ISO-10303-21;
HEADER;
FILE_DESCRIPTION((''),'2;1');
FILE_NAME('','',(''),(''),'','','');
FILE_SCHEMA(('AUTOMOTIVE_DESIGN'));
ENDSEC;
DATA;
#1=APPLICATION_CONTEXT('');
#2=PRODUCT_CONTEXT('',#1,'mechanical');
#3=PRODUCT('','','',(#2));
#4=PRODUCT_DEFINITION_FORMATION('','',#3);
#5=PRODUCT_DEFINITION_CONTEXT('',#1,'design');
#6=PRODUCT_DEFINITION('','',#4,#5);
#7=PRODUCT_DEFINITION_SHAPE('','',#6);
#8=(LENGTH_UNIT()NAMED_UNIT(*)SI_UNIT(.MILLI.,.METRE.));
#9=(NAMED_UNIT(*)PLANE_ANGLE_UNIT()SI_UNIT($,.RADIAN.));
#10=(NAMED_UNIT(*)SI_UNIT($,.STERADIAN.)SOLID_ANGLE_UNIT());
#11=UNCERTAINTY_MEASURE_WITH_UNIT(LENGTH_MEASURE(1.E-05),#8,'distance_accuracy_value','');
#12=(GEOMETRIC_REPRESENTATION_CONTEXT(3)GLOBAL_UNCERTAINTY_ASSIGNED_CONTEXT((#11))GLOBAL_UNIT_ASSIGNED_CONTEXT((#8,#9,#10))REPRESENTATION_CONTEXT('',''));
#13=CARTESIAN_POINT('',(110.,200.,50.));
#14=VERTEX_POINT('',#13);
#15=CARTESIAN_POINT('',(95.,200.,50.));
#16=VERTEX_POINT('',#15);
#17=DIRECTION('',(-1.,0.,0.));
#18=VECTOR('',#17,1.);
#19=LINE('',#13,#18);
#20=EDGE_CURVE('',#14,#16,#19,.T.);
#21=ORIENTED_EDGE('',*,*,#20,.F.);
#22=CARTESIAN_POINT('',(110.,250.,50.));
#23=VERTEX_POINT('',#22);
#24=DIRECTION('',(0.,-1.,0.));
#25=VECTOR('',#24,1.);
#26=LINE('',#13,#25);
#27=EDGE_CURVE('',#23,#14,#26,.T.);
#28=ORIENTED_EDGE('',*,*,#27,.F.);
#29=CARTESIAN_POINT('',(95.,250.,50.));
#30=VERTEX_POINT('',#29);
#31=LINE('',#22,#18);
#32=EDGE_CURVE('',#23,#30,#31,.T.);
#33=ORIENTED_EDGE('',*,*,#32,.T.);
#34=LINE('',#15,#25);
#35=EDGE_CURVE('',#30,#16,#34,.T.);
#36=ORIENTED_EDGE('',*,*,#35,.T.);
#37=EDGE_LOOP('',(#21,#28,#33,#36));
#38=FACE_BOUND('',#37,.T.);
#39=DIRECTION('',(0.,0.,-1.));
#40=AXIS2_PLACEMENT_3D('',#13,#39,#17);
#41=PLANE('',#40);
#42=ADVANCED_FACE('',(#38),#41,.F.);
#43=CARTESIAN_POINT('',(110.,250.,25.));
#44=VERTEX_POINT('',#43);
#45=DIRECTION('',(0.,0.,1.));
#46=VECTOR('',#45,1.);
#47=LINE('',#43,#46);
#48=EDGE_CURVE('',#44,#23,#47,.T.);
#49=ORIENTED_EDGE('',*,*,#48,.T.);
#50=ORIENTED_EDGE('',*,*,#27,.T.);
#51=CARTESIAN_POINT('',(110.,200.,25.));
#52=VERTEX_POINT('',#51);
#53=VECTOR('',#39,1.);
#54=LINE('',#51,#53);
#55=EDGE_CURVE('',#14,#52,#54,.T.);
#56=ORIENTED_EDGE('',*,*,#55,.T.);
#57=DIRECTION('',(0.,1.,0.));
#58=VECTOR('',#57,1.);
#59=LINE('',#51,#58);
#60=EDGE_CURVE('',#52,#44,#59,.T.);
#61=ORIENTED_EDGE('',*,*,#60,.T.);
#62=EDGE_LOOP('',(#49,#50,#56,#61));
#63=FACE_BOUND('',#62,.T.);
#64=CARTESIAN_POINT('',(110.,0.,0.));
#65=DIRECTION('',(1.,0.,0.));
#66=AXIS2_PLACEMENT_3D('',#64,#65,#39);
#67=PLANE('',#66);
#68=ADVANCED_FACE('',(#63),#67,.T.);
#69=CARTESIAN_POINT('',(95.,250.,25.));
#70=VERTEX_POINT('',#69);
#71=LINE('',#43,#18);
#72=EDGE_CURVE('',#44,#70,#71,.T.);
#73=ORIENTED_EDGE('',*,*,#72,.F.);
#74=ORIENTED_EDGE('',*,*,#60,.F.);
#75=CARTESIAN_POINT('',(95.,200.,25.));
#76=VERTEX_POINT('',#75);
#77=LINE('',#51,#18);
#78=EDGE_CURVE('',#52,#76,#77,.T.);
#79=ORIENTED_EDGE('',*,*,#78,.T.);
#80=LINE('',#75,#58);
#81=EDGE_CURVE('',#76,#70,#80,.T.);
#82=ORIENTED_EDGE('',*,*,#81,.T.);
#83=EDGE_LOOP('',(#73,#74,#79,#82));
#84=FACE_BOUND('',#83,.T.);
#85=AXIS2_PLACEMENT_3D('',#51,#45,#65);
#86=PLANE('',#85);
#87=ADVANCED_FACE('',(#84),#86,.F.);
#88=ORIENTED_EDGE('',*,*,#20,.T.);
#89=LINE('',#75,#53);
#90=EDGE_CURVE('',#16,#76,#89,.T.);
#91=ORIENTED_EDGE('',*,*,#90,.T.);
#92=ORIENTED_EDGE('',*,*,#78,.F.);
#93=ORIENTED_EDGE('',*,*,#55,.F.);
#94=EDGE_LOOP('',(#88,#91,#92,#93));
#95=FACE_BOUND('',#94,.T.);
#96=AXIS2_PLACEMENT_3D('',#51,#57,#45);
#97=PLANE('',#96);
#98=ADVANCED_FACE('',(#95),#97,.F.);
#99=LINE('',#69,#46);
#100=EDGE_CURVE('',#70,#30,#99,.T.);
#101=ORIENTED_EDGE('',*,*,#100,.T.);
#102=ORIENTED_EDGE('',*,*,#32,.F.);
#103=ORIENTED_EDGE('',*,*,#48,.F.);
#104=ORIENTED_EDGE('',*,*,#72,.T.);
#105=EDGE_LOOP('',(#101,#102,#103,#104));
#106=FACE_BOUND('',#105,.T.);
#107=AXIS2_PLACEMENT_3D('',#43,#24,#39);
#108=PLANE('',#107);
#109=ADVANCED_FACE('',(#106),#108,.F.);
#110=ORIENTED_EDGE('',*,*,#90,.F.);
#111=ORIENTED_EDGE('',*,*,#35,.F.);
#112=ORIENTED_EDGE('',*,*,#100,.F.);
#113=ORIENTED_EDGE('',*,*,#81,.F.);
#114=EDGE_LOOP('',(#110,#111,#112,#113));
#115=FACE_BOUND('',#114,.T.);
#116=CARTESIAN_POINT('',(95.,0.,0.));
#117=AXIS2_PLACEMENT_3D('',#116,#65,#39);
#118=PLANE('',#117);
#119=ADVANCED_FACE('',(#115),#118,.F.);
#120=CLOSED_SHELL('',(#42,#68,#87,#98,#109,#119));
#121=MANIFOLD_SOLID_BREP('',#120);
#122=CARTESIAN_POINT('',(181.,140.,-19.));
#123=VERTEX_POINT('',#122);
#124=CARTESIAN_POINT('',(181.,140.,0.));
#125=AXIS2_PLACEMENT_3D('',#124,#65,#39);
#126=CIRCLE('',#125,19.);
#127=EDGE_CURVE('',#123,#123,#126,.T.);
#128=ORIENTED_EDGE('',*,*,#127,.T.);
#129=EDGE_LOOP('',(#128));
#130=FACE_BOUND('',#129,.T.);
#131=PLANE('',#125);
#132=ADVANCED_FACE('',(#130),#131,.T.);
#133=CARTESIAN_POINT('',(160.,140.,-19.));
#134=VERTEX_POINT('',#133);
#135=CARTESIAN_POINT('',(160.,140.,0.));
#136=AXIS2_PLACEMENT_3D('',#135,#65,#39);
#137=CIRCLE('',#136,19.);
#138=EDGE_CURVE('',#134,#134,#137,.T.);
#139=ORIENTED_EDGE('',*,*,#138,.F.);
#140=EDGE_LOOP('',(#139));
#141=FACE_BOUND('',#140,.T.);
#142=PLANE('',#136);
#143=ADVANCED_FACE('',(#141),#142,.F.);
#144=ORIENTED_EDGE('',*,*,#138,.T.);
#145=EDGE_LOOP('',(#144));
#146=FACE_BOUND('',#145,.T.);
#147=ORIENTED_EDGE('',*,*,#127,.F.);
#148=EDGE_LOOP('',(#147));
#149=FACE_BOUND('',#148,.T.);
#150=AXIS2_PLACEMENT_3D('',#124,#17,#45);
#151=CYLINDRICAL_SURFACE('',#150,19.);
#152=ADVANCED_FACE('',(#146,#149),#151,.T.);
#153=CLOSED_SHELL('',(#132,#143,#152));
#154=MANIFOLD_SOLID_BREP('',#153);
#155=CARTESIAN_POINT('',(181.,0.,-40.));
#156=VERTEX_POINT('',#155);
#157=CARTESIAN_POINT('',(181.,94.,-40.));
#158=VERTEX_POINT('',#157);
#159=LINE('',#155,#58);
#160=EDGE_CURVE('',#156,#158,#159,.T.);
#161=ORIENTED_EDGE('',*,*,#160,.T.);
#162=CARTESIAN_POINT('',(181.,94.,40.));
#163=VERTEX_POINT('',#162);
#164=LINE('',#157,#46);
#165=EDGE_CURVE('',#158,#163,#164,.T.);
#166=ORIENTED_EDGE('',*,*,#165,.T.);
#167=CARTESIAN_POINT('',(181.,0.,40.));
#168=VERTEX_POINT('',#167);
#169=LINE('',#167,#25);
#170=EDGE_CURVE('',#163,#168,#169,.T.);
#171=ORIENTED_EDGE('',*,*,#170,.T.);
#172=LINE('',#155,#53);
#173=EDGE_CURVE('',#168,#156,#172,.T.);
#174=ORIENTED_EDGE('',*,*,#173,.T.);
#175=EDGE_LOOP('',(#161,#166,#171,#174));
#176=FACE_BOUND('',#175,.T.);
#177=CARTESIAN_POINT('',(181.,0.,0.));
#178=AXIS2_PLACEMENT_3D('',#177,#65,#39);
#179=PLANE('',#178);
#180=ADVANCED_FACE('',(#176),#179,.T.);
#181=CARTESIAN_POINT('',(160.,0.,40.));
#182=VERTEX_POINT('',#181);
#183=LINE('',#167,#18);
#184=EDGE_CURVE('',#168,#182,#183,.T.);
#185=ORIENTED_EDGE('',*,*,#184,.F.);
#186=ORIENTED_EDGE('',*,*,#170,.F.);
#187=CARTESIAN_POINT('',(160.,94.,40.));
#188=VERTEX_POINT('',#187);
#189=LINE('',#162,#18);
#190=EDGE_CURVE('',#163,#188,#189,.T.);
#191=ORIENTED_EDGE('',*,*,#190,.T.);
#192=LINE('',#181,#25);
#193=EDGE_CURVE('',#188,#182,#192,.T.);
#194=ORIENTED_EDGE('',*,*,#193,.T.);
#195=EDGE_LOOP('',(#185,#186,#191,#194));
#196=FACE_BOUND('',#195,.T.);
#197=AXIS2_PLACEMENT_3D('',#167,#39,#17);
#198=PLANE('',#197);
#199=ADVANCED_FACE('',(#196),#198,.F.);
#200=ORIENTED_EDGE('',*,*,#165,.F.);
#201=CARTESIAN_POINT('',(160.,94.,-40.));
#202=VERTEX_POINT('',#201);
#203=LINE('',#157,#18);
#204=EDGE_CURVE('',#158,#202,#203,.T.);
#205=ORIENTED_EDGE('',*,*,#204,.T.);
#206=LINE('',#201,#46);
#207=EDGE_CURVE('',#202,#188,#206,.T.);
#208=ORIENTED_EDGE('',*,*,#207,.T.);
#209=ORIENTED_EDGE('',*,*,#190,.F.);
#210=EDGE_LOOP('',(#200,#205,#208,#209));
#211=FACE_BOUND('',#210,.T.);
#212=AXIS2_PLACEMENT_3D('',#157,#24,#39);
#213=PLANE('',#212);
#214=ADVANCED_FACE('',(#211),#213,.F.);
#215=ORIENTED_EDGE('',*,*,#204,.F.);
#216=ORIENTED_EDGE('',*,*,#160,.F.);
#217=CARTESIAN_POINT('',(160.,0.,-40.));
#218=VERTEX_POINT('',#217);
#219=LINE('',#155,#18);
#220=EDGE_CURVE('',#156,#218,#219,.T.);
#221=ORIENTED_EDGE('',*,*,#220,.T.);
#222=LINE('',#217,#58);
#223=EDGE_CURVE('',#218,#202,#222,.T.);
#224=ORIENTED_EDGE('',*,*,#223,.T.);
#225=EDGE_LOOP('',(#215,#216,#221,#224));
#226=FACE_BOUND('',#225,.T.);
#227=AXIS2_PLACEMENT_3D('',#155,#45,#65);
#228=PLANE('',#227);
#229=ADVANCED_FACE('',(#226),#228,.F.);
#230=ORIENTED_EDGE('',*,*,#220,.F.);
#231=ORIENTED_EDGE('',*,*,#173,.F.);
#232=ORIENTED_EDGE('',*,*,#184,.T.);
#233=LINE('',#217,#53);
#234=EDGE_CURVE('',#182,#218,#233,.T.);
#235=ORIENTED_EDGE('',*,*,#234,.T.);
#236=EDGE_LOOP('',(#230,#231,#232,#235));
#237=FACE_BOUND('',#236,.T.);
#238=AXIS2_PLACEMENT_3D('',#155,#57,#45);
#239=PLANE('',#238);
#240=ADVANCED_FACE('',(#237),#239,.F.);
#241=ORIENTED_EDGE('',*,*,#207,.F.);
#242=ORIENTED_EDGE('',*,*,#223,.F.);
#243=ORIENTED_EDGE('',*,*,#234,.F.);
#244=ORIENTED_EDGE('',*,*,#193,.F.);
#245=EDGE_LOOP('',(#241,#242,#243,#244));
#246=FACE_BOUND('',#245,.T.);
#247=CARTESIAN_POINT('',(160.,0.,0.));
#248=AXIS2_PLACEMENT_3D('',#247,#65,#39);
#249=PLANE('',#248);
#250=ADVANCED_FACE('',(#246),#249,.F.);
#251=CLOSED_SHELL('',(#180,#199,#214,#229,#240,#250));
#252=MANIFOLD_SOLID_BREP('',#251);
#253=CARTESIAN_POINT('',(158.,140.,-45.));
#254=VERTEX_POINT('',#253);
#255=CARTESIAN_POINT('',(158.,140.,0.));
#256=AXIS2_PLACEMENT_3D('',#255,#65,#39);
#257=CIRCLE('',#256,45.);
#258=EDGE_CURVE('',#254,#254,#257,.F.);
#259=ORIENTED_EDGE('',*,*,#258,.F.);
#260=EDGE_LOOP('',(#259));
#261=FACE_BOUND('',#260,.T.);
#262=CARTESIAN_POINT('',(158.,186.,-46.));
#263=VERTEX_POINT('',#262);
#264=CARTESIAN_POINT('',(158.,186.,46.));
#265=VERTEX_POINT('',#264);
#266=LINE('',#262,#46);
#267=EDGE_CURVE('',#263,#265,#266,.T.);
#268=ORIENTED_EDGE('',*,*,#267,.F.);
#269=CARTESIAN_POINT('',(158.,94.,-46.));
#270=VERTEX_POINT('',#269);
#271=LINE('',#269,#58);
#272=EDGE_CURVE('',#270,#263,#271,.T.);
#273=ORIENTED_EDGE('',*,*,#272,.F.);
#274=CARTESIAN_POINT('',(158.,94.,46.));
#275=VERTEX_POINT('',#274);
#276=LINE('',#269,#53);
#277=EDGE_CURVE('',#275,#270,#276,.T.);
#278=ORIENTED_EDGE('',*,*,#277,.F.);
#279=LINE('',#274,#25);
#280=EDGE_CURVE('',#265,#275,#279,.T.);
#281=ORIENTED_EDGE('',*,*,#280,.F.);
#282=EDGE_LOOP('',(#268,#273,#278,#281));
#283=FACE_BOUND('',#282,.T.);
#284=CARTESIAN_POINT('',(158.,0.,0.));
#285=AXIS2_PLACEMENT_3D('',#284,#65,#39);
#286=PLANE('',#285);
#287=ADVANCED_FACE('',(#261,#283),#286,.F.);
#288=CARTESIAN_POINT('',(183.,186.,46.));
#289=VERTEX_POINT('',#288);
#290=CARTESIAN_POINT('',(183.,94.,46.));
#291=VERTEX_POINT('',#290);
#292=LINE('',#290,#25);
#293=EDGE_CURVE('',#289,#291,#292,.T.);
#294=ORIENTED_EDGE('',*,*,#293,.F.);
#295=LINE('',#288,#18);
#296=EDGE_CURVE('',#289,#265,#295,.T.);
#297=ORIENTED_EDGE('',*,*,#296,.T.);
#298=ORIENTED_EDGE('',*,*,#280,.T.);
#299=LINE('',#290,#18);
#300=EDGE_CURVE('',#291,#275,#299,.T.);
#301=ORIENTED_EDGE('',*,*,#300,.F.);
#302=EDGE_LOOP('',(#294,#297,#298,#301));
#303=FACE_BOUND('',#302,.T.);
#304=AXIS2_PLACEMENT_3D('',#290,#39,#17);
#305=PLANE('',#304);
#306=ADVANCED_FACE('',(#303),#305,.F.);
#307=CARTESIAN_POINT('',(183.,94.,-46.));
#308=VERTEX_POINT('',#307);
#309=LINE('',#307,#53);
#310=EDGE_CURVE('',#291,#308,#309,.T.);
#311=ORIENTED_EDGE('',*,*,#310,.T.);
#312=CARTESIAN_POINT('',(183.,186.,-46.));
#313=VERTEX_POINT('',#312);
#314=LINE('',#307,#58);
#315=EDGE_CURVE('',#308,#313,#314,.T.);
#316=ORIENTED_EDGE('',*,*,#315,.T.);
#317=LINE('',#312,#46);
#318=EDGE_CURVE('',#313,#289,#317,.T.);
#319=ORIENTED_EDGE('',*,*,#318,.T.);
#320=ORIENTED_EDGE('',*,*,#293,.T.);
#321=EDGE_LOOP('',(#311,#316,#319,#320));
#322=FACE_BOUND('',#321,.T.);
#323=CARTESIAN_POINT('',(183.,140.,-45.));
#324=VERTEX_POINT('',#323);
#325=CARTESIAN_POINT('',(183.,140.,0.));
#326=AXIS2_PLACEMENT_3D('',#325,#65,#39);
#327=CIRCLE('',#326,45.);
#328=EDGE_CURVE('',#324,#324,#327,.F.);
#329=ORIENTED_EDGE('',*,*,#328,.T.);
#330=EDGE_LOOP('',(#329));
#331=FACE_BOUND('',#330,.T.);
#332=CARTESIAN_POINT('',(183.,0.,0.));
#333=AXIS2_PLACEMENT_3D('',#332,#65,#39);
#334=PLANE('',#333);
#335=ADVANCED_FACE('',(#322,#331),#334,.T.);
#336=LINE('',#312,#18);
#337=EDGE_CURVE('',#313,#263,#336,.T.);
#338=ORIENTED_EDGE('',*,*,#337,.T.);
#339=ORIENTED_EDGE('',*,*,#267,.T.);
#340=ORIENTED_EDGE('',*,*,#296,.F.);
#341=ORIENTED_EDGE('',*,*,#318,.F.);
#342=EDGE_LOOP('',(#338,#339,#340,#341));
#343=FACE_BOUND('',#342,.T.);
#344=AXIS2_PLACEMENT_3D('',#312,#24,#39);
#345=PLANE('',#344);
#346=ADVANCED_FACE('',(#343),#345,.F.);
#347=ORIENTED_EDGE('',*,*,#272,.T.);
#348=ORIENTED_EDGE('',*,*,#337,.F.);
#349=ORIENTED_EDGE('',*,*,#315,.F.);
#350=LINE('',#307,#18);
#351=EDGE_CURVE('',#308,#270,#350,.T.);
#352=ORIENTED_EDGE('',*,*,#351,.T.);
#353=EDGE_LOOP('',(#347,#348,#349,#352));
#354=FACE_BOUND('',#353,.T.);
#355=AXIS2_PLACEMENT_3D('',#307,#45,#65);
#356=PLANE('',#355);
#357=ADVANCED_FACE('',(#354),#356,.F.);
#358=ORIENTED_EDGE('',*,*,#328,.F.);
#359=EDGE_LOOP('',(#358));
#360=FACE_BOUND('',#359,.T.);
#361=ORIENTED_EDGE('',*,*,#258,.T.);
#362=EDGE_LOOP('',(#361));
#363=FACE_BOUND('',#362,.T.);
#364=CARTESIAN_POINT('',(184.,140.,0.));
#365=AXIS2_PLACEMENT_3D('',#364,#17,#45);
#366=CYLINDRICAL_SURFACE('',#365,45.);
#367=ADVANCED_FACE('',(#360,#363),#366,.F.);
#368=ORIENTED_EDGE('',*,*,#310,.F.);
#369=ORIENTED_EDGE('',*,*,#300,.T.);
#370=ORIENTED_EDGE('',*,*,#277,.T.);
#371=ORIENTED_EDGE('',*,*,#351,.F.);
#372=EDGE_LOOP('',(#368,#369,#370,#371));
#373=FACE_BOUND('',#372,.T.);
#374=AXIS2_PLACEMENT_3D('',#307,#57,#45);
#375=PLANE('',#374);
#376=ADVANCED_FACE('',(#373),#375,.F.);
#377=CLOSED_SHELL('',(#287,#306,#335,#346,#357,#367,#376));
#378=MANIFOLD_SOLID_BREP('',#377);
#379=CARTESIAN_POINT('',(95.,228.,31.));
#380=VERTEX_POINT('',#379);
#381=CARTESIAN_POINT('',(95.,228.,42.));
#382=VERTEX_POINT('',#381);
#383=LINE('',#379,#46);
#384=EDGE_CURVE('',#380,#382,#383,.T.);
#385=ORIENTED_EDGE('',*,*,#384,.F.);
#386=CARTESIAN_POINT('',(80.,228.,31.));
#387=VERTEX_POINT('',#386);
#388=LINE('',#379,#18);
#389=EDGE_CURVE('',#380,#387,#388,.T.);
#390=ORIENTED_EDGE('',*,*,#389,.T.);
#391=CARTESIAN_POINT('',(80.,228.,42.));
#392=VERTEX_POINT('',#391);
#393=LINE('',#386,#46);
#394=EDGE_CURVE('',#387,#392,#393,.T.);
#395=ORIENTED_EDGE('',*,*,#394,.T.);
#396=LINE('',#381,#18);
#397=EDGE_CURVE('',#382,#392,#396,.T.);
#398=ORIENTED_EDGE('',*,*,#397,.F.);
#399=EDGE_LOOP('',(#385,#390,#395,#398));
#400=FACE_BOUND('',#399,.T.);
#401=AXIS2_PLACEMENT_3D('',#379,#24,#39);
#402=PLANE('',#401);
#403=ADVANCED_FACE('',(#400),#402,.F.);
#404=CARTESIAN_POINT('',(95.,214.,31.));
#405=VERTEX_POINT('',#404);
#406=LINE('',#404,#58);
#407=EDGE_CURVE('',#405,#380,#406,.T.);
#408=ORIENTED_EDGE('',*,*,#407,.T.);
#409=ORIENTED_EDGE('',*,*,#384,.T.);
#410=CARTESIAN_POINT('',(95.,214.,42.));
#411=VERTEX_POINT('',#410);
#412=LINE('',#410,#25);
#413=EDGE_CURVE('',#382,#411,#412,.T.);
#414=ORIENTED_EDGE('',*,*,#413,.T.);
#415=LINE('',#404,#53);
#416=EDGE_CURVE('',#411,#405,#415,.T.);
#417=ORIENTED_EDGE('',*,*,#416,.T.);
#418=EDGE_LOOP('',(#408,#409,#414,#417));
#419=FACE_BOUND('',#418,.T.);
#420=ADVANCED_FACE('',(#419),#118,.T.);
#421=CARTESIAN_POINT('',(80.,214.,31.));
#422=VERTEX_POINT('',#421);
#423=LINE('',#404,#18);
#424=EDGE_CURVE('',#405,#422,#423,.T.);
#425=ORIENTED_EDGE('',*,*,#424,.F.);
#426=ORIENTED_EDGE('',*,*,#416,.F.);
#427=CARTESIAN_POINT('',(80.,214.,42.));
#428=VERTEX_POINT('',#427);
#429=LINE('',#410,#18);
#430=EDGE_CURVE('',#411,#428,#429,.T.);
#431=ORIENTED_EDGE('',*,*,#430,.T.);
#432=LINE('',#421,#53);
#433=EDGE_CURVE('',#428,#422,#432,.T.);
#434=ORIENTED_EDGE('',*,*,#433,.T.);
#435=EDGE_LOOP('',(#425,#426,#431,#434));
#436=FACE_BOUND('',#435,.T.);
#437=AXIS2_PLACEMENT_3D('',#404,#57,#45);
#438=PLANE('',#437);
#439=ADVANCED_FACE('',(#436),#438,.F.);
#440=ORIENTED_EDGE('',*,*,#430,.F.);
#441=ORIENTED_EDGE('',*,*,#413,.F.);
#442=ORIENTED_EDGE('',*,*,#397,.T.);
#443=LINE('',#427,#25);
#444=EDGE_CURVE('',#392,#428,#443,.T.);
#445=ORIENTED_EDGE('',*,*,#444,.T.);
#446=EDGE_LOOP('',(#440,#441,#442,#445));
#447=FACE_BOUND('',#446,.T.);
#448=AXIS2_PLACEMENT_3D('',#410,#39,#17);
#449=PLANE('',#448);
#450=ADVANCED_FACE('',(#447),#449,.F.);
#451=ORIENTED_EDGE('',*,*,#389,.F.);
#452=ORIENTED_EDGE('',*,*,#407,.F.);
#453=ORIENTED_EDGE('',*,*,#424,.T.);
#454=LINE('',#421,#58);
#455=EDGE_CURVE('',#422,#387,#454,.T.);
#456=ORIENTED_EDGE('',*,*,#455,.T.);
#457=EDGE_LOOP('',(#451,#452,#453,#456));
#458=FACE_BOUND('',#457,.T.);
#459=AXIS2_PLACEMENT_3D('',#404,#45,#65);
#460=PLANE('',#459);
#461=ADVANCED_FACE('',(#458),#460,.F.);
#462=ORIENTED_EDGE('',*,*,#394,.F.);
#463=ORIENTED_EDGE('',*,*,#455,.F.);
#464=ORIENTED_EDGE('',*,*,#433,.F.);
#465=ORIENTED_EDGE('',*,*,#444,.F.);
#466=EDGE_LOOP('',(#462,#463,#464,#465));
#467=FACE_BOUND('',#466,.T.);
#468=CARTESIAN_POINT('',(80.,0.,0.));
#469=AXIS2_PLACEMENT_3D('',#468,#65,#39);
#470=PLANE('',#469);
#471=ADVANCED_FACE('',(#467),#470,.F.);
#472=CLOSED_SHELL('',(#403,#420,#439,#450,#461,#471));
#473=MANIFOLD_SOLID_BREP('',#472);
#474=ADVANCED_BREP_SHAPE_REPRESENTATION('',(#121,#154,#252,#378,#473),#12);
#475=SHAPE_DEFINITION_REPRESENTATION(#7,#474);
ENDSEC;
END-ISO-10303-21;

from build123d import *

# Parameters (mm, degrees)
FRAME_START         = 158
SKETCH1_W           = 92
SKETCH1_H           = 92
FRAME_DEPTH         = 25
BORE_START          = 157
SKETCH2_R           = 45
BORE_DEPTH          = 27
HUB_START           = 160
SKETCH3_R           = 19
HUB_DEPTH           = 21
FAN_STAND_START     = 160
SKETCH4_W           = 80
SKETCH4_H           = 94
FAN_STAND_DEPTH     = 21
BLOWER_50MM_START   = 95
SKETCH5_W           = 25
SKETCH5_H           = 50
BLOWER_50MM_DEPTH   = 15
BLOWER_NOZZLE_START = 80
SKETCH6_W           = 11
SKETCH6_H           = 14
BLOWER_NOZZLE_DEPTH = 15


with BuildPart() as part:
    # Sketch1 → frame (new body)
    with BuildSketch(Plane(origin=(0, 0, 0), x_dir=(0, 0, -1), z_dir=(1, 0, 0)).offset(FRAME_START)):
        with Locations((0, 140)):
            Rectangle(SKETCH1_W, SKETCH1_H)
    extrude(amount=FRAME_DEPTH)


with BuildPart() as body_2:
    # Sketch2 → bore (new body)
    with BuildSketch(Plane(origin=(0, 0, 0), x_dir=(0, 0, -1), z_dir=(1, 0, 0)).offset(BORE_START)):
        with Locations((0, 140)):
            Circle(SKETCH2_R)
    extrude(amount=BORE_DEPTH)


with BuildPart() as part_1:
    add(part.part)

    # Combine1: cut body 2
    add(body_2.part, mode=Mode.SUBTRACT)


with BuildPart() as body_2_2:
    # Sketch3 → hub (new body)
    with BuildSketch(Plane(origin=(0, 0, 0), x_dir=(0, 0, -1), z_dir=(1, 0, 0)).offset(HUB_START)):
        with Locations((0, 140)):
            Circle(SKETCH3_R)
    extrude(amount=HUB_DEPTH)


with BuildPart() as body_3:
    # Sketch4 → fan_stand (new body)
    with BuildSketch(Plane(origin=(0, 0, 0), x_dir=(0, 0, -1), z_dir=(1, 0, 0)).offset(FAN_STAND_START)):
        with Locations((0, 47)):
            Rectangle(SKETCH4_W, SKETCH4_H)
    extrude(amount=FAN_STAND_DEPTH)


with BuildPart() as body_4:
    # Sketch5 → blower_50mm (new body)
    with BuildSketch(Plane(origin=(0, 0, 0), x_dir=(0, 0, -1), z_dir=(1, 0, 0)).offset(BLOWER_50MM_START)):
        with Locations((-37.5, 225)):
            Rectangle(SKETCH5_W, SKETCH5_H)
    extrude(amount=BLOWER_50MM_DEPTH)


with BuildPart() as body_5:
    # Sketch6 → blower_nozzle (new body)
    with BuildSketch(Plane(origin=(0, 0, 0), x_dir=(0, 0, -1), z_dir=(1, 0, 0)).offset(BLOWER_NOZZLE_START)):
        with Locations((-36.5, 221)):
            Rectangle(SKETCH6_W, SKETCH6_H)
    extrude(amount=BLOWER_NOZZLE_DEPTH)


solid = Compound([part_1.part, body_2_2.part, body_3.part, body_4.part, body_5.part])
